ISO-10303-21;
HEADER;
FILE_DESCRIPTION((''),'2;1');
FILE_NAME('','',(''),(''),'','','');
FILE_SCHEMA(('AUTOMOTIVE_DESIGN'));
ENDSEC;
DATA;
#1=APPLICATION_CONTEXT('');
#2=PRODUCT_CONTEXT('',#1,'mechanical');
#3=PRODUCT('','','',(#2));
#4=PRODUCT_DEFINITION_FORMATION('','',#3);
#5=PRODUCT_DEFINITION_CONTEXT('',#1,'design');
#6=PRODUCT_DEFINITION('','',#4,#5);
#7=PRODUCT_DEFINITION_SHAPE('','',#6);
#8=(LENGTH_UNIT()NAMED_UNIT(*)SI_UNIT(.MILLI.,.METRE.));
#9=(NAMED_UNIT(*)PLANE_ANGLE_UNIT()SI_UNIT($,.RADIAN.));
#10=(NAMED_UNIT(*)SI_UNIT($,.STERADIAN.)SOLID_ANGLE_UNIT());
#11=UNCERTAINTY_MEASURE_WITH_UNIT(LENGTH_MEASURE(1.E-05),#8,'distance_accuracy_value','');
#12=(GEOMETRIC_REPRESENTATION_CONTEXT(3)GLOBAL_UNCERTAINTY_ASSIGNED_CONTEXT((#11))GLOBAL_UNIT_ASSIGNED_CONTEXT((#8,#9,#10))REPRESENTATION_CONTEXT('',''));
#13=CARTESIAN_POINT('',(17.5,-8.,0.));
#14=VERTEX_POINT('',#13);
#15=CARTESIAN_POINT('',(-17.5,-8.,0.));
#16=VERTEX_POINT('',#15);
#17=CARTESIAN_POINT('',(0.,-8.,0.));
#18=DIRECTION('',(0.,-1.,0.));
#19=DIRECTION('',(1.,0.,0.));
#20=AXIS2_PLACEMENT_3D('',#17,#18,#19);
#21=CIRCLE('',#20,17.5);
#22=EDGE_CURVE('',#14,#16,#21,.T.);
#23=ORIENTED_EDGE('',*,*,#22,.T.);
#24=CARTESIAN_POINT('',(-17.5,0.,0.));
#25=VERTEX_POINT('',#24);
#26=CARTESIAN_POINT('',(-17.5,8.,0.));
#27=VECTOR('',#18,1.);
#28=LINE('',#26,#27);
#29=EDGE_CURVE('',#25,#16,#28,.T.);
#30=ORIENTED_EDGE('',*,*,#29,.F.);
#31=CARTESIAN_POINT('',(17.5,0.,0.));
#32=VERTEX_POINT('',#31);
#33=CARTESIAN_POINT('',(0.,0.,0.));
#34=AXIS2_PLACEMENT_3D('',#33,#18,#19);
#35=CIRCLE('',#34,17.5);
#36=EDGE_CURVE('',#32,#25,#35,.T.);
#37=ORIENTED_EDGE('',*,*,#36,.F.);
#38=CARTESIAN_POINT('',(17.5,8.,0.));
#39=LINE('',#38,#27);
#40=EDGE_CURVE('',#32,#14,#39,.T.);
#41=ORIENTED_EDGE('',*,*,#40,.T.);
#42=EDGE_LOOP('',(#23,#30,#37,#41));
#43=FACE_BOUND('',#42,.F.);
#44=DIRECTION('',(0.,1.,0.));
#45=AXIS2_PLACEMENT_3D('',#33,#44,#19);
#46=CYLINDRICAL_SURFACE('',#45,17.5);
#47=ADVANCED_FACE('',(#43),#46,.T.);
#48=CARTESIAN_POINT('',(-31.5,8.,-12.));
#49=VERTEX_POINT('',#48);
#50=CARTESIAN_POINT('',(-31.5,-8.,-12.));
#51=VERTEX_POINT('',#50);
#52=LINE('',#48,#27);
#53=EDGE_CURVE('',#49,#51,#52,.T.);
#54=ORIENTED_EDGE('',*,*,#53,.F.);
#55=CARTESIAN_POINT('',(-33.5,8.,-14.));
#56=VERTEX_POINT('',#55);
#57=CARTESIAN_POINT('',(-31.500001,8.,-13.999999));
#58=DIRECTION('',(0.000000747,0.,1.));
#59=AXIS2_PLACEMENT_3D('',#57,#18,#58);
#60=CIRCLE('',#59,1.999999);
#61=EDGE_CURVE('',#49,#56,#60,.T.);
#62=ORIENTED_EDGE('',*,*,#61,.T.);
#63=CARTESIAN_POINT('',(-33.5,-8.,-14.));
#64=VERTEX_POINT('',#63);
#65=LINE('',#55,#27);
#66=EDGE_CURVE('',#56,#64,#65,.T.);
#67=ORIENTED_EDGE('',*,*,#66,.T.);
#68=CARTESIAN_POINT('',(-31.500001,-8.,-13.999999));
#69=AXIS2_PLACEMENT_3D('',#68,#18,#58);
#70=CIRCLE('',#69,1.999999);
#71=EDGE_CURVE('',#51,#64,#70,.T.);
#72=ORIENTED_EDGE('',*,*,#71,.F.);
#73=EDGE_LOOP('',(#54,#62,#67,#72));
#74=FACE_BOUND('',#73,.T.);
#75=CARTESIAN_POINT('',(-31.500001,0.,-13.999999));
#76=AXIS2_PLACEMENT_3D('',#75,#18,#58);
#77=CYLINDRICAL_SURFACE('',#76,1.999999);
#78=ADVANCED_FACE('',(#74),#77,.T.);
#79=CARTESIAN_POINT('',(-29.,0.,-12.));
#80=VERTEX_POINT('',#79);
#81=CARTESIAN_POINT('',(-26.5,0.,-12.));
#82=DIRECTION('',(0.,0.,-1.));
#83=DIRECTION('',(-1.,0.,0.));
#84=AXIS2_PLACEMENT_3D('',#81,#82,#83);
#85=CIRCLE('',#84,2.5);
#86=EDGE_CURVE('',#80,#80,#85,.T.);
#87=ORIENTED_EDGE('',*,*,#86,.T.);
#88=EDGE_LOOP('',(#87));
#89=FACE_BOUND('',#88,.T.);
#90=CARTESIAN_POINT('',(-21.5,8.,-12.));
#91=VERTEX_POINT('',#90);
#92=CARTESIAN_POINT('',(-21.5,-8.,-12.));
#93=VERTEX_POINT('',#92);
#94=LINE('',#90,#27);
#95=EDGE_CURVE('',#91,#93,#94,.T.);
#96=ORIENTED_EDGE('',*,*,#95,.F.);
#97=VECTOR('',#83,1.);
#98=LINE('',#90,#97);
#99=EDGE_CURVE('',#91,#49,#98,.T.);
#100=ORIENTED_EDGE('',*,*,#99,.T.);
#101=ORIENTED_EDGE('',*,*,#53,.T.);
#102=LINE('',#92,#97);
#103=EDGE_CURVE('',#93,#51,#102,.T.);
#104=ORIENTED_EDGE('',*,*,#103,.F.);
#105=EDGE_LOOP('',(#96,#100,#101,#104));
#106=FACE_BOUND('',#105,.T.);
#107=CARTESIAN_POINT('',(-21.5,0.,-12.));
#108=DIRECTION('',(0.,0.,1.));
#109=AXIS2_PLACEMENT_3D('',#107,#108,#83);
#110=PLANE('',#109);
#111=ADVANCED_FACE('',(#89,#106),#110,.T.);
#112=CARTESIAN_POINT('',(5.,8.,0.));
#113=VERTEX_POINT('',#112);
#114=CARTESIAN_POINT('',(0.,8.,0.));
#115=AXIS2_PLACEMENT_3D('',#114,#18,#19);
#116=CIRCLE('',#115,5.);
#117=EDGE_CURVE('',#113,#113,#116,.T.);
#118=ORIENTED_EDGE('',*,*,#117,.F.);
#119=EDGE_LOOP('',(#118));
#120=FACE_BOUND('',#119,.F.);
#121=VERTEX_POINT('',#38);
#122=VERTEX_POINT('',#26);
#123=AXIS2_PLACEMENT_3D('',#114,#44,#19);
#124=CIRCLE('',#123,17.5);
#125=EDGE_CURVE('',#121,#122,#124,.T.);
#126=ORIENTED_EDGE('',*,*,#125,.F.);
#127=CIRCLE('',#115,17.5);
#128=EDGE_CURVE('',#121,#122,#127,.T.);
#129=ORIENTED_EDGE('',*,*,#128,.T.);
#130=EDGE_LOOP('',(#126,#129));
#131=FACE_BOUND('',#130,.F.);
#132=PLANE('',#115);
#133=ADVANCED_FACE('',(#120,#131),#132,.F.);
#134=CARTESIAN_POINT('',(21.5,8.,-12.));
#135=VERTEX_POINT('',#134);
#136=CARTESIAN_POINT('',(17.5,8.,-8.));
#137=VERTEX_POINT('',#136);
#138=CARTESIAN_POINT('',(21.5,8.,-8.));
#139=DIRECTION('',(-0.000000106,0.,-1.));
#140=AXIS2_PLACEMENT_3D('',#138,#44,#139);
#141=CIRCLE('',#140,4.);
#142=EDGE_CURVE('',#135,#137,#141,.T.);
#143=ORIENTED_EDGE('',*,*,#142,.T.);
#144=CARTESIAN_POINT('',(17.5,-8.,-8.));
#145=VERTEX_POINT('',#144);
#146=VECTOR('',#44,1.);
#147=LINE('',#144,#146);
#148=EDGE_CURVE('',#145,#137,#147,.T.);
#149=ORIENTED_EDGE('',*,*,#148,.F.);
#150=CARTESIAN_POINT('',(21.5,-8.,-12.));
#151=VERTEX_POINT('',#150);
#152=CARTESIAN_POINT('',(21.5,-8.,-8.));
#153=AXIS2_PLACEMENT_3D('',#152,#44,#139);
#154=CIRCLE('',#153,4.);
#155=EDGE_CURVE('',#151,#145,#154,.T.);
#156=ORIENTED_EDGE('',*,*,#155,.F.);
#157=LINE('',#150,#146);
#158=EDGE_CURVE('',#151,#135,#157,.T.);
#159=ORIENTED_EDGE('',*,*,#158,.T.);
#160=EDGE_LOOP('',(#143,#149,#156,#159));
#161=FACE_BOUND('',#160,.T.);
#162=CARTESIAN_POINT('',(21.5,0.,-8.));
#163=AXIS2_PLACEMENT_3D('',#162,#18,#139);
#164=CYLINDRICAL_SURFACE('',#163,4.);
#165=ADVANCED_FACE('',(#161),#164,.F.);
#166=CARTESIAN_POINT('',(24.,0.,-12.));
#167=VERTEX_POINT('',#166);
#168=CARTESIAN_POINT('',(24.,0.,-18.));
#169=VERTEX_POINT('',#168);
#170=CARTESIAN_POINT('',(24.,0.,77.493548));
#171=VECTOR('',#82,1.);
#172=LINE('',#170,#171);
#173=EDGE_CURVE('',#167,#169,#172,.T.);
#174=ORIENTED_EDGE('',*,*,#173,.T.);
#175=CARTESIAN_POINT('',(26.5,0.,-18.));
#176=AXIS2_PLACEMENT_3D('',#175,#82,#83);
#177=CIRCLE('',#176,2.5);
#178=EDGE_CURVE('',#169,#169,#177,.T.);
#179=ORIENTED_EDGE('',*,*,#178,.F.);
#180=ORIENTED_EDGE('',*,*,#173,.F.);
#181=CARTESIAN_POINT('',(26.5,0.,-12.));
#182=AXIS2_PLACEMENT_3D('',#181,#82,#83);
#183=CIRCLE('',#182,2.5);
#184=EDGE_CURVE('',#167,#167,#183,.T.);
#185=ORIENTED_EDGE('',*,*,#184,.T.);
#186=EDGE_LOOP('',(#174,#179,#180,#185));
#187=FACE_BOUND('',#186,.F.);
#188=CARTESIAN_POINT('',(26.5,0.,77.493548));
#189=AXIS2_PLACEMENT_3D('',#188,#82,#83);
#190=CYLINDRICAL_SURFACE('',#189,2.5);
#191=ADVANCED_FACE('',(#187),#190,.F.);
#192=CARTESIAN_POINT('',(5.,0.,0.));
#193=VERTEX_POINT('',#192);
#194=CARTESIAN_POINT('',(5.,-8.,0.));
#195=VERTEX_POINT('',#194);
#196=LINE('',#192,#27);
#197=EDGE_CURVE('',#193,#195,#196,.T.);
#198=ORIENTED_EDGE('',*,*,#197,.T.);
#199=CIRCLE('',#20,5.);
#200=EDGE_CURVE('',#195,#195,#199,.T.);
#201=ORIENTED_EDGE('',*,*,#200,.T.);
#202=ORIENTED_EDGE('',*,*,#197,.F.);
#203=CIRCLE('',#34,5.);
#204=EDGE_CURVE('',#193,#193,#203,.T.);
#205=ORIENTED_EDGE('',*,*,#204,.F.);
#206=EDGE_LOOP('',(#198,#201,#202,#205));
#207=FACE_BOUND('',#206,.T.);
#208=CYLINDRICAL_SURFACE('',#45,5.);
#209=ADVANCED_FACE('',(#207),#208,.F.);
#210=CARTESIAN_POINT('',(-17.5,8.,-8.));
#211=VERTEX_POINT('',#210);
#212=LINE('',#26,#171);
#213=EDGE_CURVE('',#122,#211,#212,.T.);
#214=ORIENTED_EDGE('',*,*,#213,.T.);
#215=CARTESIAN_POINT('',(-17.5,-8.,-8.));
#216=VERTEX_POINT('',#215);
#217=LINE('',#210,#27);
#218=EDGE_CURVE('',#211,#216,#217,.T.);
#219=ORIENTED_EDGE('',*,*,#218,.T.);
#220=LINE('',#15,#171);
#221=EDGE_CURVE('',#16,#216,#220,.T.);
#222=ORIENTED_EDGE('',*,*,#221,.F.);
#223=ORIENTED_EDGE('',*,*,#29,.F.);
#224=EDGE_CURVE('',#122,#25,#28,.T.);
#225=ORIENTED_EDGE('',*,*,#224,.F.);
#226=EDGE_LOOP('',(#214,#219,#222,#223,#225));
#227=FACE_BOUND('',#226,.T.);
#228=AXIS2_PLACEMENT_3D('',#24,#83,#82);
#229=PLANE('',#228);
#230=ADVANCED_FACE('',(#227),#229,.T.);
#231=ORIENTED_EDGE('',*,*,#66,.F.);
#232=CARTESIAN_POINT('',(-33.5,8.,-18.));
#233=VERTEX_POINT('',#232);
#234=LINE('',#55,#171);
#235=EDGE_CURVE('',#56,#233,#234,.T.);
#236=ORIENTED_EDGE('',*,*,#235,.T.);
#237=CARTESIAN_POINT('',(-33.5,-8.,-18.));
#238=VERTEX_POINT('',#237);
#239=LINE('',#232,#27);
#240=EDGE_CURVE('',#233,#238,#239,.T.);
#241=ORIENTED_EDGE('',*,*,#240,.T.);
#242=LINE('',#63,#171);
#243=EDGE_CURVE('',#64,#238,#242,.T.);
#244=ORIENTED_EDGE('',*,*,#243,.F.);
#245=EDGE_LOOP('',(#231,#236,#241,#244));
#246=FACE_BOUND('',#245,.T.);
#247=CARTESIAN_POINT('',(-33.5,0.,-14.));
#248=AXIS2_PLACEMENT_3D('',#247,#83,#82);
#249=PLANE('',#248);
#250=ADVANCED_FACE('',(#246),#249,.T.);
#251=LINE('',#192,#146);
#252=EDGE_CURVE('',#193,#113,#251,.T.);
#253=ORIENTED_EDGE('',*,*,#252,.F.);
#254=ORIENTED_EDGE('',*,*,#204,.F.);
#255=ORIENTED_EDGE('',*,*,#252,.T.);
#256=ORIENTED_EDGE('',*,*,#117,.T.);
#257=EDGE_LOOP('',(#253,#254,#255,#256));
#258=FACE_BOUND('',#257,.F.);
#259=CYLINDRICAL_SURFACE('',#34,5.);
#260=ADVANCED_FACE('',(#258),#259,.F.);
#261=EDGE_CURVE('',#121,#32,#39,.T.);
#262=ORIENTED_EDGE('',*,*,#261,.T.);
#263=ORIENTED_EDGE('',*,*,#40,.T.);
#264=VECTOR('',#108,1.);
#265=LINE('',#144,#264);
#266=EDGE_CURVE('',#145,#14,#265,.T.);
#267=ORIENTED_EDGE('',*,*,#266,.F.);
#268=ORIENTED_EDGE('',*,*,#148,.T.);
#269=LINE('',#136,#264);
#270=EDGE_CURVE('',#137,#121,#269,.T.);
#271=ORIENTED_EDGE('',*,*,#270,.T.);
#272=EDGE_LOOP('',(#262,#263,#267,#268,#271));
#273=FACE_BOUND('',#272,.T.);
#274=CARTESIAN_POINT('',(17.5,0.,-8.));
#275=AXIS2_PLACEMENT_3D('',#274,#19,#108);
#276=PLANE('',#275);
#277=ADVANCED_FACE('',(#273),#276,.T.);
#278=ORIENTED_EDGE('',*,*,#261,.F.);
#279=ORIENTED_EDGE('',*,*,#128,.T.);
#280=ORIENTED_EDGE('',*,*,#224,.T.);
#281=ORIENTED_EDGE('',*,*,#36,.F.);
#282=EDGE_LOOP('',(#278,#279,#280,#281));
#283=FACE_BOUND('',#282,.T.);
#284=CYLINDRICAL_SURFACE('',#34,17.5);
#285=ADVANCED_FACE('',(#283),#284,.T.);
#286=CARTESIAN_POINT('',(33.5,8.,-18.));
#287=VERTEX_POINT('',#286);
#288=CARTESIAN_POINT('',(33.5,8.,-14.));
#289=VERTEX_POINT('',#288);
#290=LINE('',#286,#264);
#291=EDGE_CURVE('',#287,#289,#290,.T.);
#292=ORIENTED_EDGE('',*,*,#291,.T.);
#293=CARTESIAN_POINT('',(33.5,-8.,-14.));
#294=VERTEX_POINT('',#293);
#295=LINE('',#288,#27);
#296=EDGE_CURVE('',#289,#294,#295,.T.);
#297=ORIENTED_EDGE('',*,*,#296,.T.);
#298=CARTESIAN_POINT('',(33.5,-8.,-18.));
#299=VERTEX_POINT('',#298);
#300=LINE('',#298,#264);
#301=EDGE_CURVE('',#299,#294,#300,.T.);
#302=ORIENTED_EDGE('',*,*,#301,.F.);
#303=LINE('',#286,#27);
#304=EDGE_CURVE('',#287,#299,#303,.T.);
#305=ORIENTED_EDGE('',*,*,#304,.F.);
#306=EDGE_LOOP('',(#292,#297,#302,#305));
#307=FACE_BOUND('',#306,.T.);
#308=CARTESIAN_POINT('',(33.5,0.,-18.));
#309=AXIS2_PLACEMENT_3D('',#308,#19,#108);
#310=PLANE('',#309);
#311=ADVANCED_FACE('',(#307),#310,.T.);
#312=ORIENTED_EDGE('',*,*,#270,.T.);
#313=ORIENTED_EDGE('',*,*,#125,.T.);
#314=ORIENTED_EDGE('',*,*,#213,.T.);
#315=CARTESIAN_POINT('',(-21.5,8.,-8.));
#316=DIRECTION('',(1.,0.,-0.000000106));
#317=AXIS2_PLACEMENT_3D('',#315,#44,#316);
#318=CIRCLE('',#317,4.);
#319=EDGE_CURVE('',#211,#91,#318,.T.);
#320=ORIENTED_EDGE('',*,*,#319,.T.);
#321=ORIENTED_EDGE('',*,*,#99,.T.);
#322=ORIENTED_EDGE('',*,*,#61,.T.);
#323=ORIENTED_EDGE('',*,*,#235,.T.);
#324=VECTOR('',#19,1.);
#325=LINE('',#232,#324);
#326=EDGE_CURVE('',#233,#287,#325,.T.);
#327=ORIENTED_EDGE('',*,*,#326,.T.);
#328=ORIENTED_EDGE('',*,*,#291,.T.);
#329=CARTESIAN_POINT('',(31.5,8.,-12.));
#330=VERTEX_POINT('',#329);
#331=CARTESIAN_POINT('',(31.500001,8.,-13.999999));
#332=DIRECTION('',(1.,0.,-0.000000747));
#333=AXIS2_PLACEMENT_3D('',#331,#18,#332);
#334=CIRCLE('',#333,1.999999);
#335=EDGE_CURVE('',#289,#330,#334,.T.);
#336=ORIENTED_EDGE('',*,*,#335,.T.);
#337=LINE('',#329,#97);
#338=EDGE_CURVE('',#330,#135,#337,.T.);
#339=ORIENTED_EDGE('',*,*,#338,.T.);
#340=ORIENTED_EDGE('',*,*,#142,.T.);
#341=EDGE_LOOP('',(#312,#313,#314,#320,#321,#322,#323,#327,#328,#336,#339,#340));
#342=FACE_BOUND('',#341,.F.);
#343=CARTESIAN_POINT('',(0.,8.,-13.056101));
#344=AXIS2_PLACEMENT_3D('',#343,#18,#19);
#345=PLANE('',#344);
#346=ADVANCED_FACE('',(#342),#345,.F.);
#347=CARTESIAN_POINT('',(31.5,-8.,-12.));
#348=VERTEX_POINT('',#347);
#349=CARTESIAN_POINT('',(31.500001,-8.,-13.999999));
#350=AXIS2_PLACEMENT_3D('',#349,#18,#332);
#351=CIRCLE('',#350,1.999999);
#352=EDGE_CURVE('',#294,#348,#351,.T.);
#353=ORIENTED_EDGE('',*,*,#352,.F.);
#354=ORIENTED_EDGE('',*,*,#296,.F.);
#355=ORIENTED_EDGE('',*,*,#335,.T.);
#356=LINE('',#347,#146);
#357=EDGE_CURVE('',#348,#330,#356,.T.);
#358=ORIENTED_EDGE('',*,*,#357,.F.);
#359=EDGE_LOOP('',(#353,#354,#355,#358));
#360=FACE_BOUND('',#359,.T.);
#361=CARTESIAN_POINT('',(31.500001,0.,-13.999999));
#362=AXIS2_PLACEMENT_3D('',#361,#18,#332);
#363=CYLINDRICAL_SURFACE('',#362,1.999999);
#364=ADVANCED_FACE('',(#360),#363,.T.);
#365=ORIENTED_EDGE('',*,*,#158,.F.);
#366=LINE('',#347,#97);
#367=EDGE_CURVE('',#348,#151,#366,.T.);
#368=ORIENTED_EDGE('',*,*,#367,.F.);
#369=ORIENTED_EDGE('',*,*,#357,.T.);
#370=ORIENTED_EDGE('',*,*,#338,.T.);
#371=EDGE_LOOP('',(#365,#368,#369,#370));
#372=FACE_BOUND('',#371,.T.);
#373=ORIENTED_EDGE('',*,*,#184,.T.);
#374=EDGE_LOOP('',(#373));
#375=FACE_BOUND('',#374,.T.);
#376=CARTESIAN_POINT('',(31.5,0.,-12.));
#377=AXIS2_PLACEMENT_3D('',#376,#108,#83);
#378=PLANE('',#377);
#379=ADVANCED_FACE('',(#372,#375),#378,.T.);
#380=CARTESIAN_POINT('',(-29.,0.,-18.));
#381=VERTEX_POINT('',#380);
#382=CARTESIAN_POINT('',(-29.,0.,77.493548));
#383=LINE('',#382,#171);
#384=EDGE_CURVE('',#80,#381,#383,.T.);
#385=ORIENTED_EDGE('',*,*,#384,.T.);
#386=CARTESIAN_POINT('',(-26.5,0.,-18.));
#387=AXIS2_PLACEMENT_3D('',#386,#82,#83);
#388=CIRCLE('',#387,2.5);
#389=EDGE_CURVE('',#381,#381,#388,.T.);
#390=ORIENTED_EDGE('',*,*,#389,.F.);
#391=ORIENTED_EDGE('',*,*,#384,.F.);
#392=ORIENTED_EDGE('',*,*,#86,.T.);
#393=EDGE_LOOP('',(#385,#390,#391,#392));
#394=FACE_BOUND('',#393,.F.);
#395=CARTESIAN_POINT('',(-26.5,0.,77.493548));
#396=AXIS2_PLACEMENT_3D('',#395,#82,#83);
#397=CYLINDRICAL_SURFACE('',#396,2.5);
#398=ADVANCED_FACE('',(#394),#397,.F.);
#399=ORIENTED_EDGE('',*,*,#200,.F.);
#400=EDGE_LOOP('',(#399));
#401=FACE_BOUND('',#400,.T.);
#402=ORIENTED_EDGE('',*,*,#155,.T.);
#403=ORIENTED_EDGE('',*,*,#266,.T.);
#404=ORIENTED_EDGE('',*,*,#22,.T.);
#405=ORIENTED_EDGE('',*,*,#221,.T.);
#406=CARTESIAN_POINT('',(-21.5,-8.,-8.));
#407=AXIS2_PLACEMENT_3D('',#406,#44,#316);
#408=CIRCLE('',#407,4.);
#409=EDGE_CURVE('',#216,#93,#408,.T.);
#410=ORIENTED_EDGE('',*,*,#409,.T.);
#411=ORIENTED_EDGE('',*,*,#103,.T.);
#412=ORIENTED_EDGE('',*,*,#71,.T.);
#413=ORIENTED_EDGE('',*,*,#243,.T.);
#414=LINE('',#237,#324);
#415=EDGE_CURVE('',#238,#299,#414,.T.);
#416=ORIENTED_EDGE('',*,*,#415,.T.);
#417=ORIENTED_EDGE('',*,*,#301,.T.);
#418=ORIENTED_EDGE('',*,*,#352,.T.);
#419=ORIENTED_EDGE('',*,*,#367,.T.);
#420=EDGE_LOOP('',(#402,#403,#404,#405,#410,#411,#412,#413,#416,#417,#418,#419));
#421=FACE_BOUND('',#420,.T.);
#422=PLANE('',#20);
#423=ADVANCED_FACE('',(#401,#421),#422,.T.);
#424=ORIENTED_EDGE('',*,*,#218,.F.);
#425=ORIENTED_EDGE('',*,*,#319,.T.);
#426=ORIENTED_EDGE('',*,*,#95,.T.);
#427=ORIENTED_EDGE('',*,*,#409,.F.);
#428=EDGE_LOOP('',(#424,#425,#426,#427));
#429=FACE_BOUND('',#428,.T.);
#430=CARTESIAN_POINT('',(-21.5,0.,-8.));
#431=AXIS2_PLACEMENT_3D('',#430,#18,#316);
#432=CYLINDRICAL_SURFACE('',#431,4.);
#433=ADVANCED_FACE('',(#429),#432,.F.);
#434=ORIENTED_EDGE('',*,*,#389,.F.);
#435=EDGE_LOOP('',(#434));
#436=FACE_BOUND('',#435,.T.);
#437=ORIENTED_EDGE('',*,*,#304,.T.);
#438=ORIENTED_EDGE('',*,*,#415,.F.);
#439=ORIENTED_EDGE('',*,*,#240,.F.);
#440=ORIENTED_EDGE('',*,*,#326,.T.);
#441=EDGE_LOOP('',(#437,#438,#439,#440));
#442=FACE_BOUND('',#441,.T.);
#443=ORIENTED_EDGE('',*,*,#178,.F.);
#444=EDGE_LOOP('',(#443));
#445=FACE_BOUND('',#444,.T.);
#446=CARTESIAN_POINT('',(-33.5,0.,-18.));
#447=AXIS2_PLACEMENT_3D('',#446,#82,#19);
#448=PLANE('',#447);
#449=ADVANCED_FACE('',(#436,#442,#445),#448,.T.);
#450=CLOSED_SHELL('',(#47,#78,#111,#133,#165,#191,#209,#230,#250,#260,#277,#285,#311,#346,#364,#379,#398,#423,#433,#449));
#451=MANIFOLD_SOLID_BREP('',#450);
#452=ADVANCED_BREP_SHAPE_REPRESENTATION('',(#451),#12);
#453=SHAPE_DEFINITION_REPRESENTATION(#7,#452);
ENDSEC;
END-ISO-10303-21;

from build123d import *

# Parameters (mm, degrees)
F1_DEPTH = 8
F2_R     = 17.5
F2_R_2   = 5
F3_DEPTH = 8
F4_DEPTH = 8
F6_D     = 5


with BuildPart() as f1:
    # F0 (on Front) → F1 (new body, symmetric)
    with BuildSketch(Plane.XZ):
        with BuildLine():
            Line((17.5, -8), (17.5, 0))
            ThreePointArc((17.5, 0), (0, -17.5), (-17.5, 0))
            Line((-17.5, 0), (-17.5, -8))
            ThreePointArc((-17.5, -8), (-18.671573, -10.828427), (-21.5, -12))
            Line((-21.5, -12), (-31.5, -12))
            ThreePointArc((-31.5, -12), (-32.914214, -12.585786), (-33.5, -14))
            Line((-33.5, -14), (-33.5, -18))
            Line((-33.5, -18), (33.5, -18))
            Line((33.5, -18), (33.5, -14))
            ThreePointArc((33.5, -14), (32.914214, -12.585786), (31.5, -12))
            Line((31.5, -12), (21.5, -12))
            ThreePointArc((21.5, -12), (18.671573, -10.828427), (17.5, -8))
        make_face()
    extrude(amount=F1_DEPTH, both=True)

    # F2 (on Front) → F3 (join)
    with BuildSketch(Plane.XZ):
        Circle(F2_R)
        Circle(F2_R_2, mode=Mode.SUBTRACT)
    extrude(amount=F3_DEPTH)

    # F2 (on Front) → F4 (join)
    with BuildSketch(Plane.XZ):
        Circle(F2_R)
        Circle(F2_R_2, mode=Mode.SUBTRACT)
    extrude(amount=-F4_DEPTH)

    # F6 (through all)
    with Locations(Plane.XY):
        with Locations((-26.5, 0), (26.5, 0)):
            Hole(F6_D / 2)


solid = f1.part
